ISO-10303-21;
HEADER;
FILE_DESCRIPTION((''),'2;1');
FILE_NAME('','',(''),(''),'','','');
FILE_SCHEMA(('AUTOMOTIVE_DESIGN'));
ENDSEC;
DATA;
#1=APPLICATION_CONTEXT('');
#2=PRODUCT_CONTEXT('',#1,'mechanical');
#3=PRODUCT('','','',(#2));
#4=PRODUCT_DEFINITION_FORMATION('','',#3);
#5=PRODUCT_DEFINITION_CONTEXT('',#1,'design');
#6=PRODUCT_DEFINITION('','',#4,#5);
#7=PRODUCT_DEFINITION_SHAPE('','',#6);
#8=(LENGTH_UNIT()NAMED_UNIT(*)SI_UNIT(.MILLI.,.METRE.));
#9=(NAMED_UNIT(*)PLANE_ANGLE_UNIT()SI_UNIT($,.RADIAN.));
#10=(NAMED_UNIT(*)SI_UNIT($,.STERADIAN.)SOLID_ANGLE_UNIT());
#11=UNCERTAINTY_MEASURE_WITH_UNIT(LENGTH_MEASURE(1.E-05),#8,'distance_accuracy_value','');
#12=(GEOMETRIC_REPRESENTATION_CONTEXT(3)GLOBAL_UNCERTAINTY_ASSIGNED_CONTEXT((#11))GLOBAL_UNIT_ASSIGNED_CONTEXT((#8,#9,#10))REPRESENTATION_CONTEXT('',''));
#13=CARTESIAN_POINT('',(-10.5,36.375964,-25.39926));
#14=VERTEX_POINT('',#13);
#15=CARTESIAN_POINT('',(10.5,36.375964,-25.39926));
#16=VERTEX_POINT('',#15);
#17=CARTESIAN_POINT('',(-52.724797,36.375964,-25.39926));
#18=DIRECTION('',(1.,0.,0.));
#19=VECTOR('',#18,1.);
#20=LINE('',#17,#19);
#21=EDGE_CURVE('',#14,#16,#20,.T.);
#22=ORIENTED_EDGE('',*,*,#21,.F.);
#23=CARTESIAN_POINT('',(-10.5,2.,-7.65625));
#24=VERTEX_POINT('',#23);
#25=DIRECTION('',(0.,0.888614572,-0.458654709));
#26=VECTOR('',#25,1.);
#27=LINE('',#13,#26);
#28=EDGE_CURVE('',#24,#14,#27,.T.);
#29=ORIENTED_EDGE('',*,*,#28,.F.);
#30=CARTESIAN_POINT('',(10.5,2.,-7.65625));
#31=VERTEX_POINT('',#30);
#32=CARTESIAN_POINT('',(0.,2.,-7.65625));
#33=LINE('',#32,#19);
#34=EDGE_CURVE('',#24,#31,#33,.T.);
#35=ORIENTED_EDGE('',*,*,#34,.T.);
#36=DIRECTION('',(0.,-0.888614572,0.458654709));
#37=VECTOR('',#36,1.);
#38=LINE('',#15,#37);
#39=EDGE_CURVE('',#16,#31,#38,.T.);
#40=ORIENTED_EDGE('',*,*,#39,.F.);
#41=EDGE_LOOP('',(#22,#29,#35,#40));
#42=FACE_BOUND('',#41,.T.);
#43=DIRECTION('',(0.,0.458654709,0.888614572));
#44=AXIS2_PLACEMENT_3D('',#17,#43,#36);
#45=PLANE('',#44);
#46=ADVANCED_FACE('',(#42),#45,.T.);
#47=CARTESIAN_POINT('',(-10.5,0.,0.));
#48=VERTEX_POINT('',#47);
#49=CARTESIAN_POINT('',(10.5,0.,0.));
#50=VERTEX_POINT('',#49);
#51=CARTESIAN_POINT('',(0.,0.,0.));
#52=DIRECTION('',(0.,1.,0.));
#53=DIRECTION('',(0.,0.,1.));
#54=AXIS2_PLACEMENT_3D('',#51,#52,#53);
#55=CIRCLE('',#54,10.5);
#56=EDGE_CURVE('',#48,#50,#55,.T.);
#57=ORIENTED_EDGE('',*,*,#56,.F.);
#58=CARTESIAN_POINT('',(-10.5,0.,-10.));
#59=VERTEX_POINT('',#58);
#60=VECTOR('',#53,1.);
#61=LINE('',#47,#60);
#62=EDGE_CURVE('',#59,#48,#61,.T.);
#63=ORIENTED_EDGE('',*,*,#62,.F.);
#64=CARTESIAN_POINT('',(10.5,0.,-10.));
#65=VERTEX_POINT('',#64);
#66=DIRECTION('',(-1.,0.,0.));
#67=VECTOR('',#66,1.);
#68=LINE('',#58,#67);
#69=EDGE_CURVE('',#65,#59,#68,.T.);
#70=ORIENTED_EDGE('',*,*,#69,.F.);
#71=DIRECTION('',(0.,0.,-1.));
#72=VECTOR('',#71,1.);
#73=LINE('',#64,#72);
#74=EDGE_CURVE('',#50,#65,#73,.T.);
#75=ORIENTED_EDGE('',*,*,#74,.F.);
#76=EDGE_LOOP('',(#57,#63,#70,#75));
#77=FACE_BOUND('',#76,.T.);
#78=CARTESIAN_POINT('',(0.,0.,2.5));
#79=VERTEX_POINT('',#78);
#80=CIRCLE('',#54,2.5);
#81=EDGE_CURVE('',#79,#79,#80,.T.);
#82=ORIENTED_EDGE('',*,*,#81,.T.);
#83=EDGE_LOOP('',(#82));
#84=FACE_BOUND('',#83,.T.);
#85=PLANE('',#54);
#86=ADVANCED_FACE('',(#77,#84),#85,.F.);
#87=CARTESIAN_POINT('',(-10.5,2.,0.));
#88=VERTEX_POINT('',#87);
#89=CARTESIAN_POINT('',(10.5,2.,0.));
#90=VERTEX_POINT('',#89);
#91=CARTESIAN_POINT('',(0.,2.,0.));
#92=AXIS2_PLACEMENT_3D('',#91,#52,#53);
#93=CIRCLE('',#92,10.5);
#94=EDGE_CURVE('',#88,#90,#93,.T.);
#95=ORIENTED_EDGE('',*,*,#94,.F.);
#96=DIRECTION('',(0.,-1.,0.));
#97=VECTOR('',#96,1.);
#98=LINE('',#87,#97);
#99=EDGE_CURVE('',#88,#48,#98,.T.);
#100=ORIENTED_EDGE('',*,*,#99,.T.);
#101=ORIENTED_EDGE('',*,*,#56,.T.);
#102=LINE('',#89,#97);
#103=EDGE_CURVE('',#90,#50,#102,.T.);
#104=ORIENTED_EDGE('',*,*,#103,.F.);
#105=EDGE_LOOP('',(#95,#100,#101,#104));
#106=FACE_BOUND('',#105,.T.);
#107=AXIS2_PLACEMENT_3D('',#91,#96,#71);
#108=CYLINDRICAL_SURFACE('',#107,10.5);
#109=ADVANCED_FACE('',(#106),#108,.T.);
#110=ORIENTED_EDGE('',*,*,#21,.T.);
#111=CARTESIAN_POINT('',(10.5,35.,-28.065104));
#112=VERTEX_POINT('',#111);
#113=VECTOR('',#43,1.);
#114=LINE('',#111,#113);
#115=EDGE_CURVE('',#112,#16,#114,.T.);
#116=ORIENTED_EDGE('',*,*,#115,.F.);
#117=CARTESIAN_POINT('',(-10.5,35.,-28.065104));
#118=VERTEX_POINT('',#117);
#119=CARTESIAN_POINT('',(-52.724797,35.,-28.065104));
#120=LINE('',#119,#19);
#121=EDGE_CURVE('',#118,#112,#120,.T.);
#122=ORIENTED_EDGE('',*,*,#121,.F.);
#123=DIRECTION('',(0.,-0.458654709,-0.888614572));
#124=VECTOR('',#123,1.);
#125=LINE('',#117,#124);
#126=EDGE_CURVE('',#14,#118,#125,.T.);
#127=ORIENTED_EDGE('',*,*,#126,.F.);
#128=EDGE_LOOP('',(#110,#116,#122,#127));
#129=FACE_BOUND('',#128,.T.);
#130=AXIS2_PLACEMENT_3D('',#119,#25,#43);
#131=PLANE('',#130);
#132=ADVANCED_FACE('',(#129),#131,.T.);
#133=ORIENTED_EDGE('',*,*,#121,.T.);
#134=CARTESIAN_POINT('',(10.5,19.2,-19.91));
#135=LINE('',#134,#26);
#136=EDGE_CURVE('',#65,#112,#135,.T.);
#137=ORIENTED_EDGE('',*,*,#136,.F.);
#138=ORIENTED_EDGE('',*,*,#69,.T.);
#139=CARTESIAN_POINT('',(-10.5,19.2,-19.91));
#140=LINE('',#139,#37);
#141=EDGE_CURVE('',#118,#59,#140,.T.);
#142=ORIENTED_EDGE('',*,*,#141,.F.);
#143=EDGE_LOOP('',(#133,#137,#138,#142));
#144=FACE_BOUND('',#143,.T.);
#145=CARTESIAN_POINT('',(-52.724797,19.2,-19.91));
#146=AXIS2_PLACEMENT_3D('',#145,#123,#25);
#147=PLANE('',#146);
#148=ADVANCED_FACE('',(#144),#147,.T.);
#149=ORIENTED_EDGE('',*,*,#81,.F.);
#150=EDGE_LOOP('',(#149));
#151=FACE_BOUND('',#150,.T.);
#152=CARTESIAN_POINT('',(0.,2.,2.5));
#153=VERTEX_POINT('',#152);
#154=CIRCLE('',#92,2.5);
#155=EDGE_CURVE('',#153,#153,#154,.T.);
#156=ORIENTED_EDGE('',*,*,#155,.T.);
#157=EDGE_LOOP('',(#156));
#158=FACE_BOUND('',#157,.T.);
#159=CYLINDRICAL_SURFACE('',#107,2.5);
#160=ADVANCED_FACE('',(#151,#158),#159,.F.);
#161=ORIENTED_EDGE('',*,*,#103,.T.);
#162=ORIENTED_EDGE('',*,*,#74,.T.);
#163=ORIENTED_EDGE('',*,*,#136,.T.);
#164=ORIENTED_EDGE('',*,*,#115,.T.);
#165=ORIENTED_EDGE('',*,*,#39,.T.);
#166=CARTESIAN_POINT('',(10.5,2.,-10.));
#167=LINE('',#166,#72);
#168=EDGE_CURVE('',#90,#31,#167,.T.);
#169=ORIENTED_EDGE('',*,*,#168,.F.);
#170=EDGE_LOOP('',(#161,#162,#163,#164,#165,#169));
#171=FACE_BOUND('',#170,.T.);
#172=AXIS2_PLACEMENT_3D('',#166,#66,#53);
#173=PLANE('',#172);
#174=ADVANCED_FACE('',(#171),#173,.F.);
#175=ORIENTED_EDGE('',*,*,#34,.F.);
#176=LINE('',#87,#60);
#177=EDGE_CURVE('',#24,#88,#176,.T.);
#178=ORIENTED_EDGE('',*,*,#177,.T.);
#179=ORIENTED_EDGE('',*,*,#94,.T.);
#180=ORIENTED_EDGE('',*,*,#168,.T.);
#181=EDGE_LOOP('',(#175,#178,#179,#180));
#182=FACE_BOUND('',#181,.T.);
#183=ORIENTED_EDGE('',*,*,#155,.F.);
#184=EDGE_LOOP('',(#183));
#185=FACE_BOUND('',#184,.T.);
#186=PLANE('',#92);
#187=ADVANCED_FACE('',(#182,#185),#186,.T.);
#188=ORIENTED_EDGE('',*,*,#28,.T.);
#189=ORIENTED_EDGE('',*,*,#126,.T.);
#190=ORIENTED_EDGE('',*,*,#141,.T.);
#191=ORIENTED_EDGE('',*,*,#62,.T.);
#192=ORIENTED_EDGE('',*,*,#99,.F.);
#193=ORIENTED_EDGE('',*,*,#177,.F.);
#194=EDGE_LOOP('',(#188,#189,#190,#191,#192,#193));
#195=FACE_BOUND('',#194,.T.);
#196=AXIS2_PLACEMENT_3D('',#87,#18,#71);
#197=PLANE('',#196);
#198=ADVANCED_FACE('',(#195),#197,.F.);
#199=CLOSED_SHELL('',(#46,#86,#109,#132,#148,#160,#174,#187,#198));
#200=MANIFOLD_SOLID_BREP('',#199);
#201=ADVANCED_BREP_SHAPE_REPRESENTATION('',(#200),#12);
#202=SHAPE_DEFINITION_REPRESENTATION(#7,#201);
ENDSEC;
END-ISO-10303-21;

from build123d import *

# Parameters (mm, degrees)
SKETCH1_R           = 2.5
BOSS_EXTRUDE1_DEPTH = 2
BOSS_EXTRUDE3_DEPTH = 21


with BuildPart() as part:
    # Sketch1 → Boss-Extrude1 (new body)
    with BuildSketch(Plane(origin=(0, 0, 0), x_dir=(1, 0, 0), z_dir=(0, 1, 0))):
        with BuildLine():
            Line((-10.5, 0), (-10.5, 10))
            Line((-10.5, 10), (10.5, 10))
            Line((10.5, 10), (10.5, 0))
            ThreePointArc((10.5, 0), (0, -10.5), (-10.5, 0))
        make_face()
        with Locations(Location((0, 0, 0), (0, 0, 270))):
            Circle(SKETCH1_R, mode=Mode.SUBTRACT)
    extrude(amount=BOSS_EXTRUDE1_DEPTH)

    # Sketch3 → Boss-Extrude3 (add)
    with BuildSketch(Plane(origin=(10.5, 0, 0), x_dir=(0, 0, -1), z_dir=(1, 0, 0))):
        Polygon((10, 0), (19.91, 19.2), (28.065104167, 35), (25.39926045, 36.375964127), (6.623958132, 0), align=None)
    extrude(amount=-BOSS_EXTRUDE3_DEPTH)


solid = part.part
